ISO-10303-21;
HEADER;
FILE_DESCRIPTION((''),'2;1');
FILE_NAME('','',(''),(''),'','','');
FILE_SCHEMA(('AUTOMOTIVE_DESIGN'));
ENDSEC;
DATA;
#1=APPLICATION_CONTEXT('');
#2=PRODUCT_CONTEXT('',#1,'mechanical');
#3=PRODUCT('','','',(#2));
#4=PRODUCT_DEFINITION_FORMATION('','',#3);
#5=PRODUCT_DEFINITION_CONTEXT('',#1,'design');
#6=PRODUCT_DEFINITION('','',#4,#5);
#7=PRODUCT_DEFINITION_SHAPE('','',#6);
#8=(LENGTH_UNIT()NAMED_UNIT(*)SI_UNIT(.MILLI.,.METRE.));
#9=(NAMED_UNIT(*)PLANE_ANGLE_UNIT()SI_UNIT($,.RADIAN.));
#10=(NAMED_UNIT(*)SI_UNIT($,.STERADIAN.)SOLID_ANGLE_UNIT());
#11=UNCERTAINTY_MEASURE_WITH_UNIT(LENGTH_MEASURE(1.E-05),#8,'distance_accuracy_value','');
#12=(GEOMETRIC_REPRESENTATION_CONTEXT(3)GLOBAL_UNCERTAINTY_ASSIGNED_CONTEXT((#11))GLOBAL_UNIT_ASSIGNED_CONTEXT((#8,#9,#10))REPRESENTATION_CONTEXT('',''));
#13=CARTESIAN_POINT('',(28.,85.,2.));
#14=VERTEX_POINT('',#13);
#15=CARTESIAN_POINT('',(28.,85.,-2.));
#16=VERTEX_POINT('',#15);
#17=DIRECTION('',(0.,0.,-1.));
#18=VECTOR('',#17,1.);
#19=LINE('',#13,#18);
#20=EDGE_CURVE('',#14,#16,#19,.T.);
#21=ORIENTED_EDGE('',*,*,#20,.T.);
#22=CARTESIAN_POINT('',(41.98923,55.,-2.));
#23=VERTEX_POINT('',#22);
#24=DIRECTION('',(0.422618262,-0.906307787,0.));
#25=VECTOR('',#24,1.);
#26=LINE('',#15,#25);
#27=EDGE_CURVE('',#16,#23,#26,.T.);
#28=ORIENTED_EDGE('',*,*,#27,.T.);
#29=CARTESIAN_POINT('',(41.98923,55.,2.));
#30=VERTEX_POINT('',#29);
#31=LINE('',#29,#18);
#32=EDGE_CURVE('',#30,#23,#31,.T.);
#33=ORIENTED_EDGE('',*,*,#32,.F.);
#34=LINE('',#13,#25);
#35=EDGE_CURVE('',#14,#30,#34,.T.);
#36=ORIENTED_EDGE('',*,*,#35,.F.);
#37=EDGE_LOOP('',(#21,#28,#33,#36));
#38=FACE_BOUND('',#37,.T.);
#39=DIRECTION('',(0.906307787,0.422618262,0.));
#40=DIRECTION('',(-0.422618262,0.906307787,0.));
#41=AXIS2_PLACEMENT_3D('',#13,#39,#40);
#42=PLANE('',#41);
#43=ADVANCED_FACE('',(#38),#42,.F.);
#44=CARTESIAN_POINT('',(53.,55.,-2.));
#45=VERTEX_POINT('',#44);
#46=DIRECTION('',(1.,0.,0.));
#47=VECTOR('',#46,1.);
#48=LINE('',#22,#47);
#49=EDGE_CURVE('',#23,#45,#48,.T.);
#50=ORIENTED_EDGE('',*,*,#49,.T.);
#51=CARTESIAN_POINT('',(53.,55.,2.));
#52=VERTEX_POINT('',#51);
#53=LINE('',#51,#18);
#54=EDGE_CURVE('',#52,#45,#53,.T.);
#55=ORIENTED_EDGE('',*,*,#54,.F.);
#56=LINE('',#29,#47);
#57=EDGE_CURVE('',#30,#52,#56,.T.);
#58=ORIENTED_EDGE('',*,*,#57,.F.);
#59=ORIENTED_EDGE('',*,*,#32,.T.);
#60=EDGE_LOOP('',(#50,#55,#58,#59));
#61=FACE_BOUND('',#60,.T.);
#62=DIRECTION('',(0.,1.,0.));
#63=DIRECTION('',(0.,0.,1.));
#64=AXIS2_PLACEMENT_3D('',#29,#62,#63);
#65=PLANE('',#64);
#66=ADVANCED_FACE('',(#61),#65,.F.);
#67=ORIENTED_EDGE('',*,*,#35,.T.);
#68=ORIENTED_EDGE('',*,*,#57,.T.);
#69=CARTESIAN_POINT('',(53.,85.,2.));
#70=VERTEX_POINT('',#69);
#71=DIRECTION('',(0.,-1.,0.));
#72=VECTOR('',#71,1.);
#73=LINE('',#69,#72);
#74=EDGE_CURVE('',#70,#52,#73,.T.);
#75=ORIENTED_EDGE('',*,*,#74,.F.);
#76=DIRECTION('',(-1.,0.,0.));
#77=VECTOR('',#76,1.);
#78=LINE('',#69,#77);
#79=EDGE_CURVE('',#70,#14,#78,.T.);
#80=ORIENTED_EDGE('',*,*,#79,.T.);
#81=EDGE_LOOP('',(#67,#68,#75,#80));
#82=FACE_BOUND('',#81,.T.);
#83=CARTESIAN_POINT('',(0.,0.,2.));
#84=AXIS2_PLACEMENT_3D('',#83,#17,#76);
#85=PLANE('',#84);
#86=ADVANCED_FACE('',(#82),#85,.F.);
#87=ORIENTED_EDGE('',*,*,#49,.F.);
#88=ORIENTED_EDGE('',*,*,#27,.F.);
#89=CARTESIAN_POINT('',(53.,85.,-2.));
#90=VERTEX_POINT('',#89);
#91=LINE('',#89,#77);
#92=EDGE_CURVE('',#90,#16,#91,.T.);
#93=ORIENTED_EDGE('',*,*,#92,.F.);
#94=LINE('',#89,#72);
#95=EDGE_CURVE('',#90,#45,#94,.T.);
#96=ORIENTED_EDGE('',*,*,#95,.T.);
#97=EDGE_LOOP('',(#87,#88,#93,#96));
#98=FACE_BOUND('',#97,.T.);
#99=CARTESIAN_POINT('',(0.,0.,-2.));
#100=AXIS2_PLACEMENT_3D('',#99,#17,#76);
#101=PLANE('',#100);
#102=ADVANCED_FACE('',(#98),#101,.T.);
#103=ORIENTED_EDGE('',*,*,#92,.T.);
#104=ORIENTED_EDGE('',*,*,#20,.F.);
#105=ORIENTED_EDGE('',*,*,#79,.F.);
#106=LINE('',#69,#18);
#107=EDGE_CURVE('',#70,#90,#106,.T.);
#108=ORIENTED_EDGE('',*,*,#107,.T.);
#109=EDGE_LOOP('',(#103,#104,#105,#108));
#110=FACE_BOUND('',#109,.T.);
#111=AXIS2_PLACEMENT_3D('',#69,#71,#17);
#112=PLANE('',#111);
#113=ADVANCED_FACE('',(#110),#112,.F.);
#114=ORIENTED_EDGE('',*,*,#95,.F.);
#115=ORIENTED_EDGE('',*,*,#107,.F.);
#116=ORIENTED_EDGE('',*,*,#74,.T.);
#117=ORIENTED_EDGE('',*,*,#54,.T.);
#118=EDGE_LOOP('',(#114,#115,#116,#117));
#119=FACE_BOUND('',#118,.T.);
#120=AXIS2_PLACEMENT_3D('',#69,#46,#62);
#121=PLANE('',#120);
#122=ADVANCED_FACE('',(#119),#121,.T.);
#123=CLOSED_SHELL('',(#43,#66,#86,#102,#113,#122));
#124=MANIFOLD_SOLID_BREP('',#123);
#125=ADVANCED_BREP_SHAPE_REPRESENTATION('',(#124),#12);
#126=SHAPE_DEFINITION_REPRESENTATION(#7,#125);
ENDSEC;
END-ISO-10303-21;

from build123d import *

# Parameters (mm, degrees)
EXTRUDE_1_DEPTH = 2


with BuildPart() as part:
    # Эскиз2 → Бобышка-Вытянуть1 (new, symmetric)
    with BuildSketch(Plane.XY):
        Polygon((53, 85), (53, 55), (41.989229745, 55), (28, 85), align=None)
    extrude(amount=EXTRUDE_1_DEPTH, both=True)


solid = part.part
